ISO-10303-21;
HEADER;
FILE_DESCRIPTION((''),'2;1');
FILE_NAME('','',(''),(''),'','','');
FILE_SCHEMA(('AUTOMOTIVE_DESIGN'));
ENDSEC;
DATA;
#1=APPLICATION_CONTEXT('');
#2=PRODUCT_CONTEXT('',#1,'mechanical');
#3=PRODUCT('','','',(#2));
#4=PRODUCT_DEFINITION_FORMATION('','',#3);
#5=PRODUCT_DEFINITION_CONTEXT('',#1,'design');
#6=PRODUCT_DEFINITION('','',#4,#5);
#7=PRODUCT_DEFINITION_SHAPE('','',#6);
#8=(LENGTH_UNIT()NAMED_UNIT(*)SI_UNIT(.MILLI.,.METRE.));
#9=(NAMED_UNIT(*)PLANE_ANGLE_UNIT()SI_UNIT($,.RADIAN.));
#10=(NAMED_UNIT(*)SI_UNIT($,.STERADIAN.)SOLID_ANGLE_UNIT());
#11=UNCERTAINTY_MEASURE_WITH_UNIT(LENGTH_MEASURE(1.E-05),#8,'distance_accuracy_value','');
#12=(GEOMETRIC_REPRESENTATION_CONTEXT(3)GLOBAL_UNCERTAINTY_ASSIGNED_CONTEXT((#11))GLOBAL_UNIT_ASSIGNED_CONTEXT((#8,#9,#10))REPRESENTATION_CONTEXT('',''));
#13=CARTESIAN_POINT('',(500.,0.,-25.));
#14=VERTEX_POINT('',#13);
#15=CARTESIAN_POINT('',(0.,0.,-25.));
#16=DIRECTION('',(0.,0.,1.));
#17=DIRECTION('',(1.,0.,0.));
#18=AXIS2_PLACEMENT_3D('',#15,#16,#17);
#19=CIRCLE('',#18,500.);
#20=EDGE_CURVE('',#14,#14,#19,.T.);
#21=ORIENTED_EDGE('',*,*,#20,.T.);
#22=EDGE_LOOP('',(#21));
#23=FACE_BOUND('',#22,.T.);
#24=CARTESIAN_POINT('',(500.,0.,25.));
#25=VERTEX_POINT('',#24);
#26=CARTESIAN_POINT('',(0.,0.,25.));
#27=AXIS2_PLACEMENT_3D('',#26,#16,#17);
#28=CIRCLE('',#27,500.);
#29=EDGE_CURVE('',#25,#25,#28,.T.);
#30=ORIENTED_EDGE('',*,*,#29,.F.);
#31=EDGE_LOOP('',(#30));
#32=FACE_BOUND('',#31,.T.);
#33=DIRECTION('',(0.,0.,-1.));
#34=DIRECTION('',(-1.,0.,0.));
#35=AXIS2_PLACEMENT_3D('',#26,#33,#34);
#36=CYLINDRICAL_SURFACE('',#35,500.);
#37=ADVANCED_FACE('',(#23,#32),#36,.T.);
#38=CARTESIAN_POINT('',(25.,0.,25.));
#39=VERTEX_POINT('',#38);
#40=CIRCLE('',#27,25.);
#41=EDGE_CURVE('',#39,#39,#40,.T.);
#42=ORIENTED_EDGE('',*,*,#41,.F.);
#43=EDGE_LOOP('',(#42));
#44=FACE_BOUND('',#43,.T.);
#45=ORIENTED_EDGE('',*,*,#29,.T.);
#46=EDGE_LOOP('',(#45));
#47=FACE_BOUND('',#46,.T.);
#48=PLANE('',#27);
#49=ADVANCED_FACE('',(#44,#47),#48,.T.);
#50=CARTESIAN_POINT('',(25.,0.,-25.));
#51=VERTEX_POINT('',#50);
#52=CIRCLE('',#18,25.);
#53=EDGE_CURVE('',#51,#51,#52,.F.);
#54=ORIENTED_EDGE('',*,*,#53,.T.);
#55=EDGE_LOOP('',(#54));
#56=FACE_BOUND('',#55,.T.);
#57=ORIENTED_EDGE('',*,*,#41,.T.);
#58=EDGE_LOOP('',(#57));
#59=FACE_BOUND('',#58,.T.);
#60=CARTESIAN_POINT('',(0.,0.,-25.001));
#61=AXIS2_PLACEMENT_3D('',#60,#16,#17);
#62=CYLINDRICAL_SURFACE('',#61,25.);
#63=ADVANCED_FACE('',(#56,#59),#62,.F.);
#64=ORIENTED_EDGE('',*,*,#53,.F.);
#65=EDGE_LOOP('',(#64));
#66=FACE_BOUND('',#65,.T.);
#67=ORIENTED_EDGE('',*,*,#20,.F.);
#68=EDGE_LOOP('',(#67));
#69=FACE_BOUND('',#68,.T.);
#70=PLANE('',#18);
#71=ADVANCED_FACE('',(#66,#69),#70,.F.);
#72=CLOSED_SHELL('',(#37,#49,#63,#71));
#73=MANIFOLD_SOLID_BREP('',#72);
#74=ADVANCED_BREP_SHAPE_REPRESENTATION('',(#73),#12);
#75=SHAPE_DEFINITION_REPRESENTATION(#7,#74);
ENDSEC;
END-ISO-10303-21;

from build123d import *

# Parameters (mm, degrees)
SKETCH1_R           = 500
BOSS_EXTRUDE1_DEPTH = 25
CUT_EXTRUDE1_REACH  = 710.872
SKETCH2_R           = 25


with BuildPart() as part:
    # Sketch1 → Boss-Extrude1 (new, symmetric)
    with BuildSketch(Plane.XY):
        Circle(SKETCH1_R)
    extrude(amount=BOSS_EXTRUDE1_DEPTH, both=True)

    # Sketch2 → Cut-Extrude1 (cut, up to next)
    with BuildSketch(Plane.XY.offset(25), mode=Mode.PRIVATE) as cut_extrude1_sk1:
        Circle(SKETCH2_R)
    cut_extrude1_tool1 = extrude(cut_extrude1_sk1.sketch, amount=-CUT_EXTRUDE1_REACH, mode=Mode.PRIVATE) & part.part
    add(cut_extrude1_tool1.solids().sort_by_distance((0, 0, 25))[0], mode=Mode.SUBTRACT)


solid = part.part
